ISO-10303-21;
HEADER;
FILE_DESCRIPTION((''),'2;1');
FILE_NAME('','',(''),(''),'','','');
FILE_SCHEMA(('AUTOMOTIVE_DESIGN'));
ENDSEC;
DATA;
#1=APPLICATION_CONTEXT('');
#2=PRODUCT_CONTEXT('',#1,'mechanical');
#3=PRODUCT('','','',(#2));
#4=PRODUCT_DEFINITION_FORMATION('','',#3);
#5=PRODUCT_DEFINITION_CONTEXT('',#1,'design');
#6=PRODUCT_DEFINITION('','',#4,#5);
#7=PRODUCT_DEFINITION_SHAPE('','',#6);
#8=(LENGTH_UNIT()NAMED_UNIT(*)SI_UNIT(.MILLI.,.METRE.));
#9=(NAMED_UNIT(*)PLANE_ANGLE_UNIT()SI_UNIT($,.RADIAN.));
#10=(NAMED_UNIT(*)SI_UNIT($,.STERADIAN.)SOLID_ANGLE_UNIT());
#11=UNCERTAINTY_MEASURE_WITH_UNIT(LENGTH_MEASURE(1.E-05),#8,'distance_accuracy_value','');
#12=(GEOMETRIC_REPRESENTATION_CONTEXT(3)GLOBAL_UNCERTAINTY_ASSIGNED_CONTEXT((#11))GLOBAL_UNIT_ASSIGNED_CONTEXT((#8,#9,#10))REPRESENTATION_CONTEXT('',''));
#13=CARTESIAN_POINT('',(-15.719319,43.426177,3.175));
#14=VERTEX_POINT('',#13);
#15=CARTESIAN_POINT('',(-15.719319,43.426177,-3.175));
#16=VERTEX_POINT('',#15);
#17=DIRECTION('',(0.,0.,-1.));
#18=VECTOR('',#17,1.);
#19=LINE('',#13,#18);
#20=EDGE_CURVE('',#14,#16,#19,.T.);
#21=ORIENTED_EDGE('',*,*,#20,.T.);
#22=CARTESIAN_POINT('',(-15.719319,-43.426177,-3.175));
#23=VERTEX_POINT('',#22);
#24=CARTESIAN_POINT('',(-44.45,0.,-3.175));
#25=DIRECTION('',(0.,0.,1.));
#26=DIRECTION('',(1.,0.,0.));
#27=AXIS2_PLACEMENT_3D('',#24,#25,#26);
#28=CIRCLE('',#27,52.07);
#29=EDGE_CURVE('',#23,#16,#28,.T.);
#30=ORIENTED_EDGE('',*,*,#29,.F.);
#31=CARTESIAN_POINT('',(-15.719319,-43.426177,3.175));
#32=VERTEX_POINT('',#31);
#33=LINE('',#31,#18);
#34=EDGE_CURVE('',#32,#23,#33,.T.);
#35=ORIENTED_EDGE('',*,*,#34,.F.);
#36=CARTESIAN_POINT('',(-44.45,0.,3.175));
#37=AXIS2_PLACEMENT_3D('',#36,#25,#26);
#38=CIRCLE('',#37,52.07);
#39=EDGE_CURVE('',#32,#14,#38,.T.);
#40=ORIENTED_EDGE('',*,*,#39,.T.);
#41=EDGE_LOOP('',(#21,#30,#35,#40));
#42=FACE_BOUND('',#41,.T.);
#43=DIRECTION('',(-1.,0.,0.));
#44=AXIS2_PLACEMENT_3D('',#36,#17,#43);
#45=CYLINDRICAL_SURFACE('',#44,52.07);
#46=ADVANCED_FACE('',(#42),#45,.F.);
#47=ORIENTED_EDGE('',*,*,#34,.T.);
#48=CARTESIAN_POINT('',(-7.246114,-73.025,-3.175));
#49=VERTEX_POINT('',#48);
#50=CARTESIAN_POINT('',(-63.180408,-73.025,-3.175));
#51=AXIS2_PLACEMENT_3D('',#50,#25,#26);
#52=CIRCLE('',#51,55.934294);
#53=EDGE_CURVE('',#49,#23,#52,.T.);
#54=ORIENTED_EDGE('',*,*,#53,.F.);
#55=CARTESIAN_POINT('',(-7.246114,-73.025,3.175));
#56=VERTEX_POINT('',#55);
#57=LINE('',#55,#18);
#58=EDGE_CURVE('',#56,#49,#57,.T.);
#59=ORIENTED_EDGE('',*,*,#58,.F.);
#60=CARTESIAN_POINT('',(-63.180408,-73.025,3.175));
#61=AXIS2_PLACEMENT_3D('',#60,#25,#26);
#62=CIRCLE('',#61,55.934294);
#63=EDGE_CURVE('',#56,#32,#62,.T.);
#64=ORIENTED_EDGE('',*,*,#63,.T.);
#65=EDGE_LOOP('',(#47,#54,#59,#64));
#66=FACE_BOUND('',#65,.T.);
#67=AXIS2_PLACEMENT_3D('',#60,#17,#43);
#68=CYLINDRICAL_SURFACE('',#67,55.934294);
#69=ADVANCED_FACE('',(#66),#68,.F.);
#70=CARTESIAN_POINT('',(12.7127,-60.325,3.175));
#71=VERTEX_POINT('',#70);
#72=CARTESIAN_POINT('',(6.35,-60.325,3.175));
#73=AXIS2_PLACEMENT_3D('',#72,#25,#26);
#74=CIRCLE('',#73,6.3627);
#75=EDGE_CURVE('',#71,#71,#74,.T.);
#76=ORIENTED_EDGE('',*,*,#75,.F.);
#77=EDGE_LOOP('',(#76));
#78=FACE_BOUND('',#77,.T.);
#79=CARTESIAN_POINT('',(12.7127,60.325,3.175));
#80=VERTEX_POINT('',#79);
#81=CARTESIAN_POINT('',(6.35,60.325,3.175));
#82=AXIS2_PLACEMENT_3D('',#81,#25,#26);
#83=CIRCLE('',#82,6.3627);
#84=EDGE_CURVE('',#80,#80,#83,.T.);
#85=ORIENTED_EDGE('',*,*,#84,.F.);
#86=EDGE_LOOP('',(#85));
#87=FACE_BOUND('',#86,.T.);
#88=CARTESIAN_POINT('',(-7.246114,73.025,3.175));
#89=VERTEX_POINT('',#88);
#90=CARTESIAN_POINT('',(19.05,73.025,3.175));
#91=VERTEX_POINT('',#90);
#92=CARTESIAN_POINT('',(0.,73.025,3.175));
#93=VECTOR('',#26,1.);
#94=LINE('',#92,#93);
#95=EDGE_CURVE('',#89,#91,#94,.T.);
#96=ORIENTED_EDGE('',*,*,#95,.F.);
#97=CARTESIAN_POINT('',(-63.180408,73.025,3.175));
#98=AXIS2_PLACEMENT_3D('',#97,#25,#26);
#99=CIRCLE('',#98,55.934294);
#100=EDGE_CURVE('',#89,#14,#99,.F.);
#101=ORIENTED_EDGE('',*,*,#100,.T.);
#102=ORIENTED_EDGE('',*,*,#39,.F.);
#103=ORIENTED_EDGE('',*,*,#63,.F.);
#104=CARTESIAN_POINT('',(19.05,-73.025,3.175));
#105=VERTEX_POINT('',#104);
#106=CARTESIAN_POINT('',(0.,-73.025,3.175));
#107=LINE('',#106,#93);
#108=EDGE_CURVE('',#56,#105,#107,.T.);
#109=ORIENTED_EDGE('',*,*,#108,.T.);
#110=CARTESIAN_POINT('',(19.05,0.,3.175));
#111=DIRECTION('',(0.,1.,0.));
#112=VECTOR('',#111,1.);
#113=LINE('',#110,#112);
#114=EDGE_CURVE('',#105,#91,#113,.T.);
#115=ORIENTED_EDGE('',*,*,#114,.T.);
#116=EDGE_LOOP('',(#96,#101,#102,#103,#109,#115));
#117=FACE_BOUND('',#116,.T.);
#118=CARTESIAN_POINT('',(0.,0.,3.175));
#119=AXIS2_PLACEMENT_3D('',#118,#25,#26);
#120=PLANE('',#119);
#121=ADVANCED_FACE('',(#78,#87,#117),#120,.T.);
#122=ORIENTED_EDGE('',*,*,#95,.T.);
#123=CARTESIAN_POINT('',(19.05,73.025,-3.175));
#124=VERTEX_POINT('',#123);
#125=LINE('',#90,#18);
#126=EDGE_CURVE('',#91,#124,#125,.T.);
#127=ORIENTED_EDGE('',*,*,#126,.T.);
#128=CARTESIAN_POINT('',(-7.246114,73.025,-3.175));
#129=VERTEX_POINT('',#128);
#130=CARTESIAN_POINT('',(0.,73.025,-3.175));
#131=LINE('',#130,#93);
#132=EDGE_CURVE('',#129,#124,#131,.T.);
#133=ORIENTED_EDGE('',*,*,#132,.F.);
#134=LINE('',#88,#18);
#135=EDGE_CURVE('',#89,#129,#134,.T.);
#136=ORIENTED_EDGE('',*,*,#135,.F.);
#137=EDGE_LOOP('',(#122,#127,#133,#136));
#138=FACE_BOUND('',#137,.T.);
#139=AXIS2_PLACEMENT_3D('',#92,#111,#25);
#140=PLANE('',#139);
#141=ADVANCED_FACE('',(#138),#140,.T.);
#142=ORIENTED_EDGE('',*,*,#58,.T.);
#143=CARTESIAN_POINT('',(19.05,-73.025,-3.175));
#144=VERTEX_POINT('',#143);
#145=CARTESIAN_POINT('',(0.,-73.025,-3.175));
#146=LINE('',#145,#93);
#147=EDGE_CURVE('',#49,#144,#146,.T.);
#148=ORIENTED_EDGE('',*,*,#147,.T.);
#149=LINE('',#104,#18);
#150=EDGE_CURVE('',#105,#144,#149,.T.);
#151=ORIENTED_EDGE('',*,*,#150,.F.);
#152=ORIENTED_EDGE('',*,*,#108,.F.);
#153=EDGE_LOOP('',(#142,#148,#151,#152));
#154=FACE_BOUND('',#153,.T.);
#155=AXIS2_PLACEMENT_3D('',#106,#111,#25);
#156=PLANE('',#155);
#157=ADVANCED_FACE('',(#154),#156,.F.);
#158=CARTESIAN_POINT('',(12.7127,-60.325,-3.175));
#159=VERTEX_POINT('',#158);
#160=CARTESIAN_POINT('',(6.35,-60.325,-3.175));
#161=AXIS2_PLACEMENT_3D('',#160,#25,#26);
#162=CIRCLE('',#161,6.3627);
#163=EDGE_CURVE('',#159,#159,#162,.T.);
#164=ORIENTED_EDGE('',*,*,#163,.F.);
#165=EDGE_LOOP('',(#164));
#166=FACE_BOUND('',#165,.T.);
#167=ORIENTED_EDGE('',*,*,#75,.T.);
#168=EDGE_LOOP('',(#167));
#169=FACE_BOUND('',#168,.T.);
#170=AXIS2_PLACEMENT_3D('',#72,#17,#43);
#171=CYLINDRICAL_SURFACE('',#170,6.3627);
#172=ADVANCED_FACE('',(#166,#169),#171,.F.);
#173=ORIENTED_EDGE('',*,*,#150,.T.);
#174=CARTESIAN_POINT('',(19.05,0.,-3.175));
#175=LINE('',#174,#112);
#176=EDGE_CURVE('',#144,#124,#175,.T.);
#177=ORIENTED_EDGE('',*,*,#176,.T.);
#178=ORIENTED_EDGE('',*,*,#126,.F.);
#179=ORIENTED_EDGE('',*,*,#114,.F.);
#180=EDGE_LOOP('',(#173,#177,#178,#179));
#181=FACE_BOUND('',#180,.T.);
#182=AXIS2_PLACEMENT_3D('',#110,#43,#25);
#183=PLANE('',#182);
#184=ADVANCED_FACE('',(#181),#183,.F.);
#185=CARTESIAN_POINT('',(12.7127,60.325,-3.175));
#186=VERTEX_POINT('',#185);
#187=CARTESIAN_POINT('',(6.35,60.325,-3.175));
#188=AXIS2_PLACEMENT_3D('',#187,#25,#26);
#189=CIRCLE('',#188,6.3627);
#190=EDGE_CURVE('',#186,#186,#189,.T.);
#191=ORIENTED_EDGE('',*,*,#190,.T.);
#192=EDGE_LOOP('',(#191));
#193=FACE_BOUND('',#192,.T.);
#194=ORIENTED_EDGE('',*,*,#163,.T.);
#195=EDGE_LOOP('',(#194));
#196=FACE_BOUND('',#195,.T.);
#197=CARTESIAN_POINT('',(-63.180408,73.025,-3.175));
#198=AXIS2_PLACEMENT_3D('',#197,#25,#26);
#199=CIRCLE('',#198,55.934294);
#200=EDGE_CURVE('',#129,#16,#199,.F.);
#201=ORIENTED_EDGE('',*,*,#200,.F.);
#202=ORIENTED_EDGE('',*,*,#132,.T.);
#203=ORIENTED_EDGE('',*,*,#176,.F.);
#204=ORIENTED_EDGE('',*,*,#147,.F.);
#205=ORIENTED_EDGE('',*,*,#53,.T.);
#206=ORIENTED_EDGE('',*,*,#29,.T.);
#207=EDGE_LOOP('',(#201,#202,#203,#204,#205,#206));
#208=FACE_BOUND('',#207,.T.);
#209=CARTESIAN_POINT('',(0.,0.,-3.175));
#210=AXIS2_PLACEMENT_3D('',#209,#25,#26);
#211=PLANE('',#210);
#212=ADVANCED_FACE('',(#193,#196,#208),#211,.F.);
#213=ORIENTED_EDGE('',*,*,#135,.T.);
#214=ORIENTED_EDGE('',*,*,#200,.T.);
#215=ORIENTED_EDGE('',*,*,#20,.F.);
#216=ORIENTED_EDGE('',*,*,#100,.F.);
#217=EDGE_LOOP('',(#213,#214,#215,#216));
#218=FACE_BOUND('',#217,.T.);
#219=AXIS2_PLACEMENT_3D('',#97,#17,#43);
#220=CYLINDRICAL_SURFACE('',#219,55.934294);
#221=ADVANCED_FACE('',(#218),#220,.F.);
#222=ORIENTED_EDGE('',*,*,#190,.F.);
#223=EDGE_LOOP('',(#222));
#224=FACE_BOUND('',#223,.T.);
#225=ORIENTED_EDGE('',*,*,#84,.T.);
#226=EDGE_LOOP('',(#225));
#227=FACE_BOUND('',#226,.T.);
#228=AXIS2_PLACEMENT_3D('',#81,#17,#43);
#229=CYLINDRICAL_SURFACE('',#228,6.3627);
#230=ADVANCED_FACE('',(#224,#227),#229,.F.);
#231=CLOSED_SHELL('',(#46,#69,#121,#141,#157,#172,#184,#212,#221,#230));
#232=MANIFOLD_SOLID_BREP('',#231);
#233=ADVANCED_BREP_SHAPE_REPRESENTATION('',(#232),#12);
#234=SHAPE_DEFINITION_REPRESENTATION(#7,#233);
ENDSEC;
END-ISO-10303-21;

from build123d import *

# Parameters (mm, degrees)
SKETCH1_R           = 6.3627
BOSS_EXTRUDE1_DEPTH = 3.175


with BuildPart() as part:
    # Sketch1 → Boss-Extrude1 (new body, symmetric)
    with BuildSketch(Plane.XY):
        with BuildLine():
            ThreePointArc((-15.719319348, -43.426177466), (-9.406121761, -57.631125381), (-7.246114065, -73.025))
            Line((-7.246114065, -73.025), (19.05, -73.025))
            Line((19.05, -73.025), (19.05, 73.025))
            Line((19.05, 73.025), (-7.246114065, 73.025))
            ThreePointArc((-7.246114065, 73.025), (-9.406121761, 57.631125381), (-15.719319348, 43.426177466))
            ThreePointArc((-15.719319348, 43.426177466), (1.415517775, 24.650338319), (7.62, 0))
            ThreePointArc((7.62, 0), (1.415517775, -24.650338319), (-15.719319348, -43.426177466))
        make_face()
        with Locations((6.35, -60.325)):
            Circle(SKETCH1_R, mode=Mode.SUBTRACT)
        with Locations((6.35, 60.325)):
            Circle(SKETCH1_R, mode=Mode.SUBTRACT)
    extrude(amount=BOSS_EXTRUDE1_DEPTH, both=True)


solid = part.part
